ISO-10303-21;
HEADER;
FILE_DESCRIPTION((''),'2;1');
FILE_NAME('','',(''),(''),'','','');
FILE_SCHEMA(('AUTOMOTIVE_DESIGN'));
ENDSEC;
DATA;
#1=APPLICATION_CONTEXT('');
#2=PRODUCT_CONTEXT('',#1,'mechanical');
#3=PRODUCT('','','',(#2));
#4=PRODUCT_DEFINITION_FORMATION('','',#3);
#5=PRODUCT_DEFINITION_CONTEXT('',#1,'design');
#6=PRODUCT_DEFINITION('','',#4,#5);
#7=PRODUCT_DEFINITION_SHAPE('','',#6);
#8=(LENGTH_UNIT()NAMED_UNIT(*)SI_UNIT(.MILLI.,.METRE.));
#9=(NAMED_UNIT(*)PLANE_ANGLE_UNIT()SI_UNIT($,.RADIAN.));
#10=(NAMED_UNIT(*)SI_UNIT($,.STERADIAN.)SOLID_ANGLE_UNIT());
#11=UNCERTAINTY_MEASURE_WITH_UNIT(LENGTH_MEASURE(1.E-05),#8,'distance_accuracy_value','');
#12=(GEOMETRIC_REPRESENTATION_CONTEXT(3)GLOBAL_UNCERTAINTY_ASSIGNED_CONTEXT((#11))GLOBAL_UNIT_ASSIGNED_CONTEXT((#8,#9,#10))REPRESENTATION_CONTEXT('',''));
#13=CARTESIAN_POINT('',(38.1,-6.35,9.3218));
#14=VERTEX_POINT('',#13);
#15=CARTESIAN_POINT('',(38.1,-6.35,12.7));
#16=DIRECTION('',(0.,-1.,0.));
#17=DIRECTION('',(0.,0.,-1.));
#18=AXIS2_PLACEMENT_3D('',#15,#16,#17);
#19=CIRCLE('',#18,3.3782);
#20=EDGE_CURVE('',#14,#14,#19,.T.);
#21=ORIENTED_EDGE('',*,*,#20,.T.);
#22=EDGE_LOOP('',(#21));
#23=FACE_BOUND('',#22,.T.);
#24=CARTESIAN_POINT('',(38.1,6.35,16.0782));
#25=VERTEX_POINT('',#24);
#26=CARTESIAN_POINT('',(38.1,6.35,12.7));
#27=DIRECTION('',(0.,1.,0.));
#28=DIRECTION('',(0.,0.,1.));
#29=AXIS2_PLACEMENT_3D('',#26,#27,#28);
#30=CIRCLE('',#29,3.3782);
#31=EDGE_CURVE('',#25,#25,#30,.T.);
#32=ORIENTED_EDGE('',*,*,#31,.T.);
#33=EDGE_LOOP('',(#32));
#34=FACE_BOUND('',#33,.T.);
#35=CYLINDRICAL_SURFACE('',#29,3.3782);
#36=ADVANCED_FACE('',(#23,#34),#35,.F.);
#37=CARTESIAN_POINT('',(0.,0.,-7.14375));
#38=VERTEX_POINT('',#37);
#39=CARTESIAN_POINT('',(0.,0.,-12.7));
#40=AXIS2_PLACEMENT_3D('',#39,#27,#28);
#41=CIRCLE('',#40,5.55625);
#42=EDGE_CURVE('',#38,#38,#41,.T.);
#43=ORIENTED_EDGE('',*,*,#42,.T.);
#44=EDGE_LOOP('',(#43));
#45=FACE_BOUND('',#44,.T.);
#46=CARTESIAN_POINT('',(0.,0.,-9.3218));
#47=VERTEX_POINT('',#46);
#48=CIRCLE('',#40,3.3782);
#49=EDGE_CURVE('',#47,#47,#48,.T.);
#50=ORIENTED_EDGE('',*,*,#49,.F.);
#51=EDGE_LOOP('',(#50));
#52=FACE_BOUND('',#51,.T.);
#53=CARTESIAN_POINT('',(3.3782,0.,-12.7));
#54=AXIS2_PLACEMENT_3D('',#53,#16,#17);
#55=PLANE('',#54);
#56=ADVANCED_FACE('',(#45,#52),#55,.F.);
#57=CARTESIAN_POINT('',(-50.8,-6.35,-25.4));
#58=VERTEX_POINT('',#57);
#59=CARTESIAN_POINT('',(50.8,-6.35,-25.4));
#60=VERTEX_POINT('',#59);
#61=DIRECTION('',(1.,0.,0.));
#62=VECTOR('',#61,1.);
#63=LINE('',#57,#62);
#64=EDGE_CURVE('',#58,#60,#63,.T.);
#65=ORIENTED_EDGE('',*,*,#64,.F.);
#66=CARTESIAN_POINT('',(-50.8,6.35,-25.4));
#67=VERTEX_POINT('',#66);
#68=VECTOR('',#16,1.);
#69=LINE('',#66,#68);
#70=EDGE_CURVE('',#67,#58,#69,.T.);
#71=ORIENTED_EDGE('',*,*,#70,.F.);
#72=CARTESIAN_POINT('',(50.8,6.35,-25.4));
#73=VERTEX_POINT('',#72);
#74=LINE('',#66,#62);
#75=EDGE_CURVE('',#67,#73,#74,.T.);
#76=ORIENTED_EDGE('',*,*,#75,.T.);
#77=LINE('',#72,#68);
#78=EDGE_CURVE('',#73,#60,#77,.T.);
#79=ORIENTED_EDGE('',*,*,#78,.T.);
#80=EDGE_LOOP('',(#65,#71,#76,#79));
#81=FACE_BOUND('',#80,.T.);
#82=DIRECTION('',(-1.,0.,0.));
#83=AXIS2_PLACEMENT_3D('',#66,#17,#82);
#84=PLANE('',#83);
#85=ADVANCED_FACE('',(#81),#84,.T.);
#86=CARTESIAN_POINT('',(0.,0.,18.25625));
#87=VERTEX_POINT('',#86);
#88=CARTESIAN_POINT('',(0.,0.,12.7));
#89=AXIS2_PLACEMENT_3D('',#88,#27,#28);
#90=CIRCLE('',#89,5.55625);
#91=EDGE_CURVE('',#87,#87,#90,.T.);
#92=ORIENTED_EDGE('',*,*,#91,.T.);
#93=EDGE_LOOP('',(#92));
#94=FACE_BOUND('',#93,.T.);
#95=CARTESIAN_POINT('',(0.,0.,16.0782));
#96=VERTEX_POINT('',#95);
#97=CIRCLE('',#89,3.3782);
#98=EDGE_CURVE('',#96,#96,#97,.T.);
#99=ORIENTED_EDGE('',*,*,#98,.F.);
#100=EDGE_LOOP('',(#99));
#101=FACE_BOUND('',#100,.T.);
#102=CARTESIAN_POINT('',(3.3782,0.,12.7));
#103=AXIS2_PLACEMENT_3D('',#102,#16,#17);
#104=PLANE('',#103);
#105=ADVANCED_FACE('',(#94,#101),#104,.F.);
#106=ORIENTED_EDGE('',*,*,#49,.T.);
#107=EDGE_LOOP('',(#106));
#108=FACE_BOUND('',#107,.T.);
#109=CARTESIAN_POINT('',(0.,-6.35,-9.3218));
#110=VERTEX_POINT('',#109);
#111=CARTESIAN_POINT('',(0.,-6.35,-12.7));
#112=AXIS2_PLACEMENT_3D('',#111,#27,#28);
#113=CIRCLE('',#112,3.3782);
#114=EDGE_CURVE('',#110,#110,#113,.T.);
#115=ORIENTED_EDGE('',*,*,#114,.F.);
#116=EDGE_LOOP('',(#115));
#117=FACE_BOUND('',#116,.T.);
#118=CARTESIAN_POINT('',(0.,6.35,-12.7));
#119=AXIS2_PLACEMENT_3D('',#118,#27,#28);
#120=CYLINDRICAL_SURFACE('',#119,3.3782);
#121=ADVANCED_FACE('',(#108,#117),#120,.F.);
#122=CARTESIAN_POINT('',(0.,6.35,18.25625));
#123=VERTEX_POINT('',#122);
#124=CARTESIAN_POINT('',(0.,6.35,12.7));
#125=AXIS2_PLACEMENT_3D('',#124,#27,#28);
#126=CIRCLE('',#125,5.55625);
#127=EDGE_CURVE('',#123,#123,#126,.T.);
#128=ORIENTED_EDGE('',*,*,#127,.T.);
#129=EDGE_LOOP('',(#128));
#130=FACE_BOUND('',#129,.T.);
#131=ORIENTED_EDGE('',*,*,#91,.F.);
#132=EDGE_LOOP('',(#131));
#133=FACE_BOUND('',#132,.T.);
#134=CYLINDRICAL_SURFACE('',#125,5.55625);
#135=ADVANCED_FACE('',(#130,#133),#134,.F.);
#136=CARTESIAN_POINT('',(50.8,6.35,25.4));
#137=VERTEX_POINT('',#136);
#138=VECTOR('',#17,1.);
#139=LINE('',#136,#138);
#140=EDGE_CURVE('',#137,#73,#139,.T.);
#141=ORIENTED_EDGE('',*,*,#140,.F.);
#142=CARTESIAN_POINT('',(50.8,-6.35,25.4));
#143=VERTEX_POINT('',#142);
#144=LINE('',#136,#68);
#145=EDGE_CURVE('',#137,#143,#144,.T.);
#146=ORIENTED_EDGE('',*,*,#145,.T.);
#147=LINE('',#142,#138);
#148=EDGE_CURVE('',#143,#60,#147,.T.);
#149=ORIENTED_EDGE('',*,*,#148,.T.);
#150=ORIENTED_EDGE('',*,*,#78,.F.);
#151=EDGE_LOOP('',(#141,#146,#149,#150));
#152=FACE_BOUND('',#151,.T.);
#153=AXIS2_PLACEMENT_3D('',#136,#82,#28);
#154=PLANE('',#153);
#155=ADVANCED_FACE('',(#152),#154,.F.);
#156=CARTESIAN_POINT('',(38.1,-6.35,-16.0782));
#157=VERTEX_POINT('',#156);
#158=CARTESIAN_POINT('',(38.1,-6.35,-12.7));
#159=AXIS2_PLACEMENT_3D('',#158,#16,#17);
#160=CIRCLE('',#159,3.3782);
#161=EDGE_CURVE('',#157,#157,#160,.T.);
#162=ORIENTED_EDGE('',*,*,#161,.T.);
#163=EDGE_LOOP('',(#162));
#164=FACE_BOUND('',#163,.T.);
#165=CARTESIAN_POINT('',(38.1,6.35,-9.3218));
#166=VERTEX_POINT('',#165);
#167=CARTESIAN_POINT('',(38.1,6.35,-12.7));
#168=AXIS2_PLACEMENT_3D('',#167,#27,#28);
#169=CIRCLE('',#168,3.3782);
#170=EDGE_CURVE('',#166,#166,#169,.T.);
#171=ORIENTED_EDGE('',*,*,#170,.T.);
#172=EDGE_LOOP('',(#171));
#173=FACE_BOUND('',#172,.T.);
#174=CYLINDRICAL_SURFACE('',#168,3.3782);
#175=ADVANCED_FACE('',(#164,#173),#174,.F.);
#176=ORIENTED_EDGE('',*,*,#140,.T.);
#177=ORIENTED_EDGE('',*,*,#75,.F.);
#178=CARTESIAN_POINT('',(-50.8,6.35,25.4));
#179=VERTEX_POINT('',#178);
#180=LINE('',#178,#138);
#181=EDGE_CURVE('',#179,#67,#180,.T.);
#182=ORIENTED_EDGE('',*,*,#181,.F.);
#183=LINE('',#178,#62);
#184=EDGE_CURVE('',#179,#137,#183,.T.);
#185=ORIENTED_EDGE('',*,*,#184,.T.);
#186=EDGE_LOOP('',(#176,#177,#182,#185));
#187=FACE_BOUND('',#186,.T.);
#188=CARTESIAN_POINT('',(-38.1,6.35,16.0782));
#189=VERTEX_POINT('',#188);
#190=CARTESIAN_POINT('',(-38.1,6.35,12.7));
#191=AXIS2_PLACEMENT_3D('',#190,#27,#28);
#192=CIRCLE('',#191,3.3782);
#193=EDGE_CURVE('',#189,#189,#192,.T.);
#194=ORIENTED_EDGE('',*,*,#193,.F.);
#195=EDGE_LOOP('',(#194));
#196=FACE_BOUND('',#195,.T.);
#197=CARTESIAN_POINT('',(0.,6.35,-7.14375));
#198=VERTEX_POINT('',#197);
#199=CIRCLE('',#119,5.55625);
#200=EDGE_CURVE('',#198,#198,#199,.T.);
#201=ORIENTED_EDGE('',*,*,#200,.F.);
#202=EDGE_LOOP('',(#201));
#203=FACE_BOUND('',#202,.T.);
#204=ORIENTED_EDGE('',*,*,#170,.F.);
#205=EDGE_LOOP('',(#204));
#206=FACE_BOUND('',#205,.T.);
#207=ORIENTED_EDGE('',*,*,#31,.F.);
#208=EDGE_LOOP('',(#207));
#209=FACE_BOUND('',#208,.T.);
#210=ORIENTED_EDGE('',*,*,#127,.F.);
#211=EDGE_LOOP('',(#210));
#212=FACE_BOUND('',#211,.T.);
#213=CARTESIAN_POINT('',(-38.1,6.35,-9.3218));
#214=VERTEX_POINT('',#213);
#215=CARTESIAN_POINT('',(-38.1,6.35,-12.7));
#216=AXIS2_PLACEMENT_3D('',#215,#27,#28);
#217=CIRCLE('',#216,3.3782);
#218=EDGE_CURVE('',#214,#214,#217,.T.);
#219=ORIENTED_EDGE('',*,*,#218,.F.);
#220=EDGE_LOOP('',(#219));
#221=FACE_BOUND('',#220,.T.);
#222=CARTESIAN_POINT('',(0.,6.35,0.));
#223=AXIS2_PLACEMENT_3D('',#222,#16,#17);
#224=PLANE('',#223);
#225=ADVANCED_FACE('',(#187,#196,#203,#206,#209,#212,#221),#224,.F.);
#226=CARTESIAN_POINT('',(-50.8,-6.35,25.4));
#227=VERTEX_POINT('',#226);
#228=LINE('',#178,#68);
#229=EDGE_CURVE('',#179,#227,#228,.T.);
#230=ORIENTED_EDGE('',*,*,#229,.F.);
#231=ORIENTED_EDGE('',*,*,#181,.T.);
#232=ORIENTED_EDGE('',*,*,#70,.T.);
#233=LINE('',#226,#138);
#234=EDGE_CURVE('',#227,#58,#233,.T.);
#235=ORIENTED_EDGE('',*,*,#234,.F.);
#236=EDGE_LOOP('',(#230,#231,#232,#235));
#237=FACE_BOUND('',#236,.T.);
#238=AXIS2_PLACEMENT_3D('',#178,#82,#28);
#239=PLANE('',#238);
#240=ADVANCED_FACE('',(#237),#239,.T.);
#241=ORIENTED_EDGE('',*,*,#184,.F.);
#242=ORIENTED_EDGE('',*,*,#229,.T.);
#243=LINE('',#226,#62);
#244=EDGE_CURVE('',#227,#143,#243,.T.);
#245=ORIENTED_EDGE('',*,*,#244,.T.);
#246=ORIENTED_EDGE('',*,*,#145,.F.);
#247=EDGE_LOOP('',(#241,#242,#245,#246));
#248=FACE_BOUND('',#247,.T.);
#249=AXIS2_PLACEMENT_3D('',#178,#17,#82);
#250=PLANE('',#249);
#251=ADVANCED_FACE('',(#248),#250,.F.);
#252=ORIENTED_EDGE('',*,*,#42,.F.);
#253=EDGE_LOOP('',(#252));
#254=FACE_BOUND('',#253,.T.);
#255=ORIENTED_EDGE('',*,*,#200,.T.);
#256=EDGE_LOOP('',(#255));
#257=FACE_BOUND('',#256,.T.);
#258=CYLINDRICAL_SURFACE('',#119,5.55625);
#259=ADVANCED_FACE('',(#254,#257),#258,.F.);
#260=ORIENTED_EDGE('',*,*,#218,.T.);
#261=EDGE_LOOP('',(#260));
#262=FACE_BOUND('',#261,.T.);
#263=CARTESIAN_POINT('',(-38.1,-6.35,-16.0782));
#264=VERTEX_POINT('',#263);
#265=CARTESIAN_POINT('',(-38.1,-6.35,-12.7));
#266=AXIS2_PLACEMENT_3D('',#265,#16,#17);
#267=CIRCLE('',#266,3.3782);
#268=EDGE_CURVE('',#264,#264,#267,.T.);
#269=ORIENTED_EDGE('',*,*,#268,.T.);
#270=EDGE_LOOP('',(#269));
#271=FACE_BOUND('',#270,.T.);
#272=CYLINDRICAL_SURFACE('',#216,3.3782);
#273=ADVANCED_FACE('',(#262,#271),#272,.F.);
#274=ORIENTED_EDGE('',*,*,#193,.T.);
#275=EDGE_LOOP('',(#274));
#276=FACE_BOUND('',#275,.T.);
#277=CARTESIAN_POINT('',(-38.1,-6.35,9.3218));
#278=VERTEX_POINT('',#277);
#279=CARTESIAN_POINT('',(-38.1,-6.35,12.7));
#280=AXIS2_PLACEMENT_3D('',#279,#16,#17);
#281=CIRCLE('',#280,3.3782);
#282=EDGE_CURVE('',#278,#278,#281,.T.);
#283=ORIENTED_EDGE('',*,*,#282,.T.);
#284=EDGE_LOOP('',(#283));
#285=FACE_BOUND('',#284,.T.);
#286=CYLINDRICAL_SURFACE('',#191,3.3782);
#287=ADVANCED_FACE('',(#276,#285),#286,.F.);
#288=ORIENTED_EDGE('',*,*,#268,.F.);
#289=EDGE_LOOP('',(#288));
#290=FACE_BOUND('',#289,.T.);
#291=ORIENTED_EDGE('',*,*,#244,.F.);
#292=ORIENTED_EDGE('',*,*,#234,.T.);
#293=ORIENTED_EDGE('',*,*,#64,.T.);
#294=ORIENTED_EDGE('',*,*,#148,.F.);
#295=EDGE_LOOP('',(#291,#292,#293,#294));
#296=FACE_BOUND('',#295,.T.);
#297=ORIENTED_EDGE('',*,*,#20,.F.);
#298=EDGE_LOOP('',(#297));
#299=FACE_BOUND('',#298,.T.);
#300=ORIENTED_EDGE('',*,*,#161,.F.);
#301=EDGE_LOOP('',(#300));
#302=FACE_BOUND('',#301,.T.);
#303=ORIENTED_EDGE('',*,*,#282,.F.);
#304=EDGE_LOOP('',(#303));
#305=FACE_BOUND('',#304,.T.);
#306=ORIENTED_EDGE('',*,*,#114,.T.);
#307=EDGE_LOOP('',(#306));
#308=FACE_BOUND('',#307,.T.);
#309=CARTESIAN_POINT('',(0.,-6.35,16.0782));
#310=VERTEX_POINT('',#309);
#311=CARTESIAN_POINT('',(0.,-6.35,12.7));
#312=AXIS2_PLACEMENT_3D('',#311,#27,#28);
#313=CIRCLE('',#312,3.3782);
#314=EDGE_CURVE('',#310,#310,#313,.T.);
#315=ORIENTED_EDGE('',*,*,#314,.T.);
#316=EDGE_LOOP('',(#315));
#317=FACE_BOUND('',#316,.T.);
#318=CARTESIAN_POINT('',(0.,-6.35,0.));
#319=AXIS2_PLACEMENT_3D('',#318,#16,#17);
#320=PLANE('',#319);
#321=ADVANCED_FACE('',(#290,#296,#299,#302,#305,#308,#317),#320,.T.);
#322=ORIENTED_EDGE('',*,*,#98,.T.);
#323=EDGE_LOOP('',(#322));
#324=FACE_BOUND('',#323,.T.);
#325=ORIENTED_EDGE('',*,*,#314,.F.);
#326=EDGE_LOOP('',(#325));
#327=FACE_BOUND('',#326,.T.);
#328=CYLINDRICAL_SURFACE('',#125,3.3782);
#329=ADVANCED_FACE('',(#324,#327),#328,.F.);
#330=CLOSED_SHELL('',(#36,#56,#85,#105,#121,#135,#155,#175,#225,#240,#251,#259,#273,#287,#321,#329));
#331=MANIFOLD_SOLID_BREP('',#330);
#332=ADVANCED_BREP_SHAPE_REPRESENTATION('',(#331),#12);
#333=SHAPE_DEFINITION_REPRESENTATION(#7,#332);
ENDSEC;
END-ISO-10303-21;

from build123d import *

# Parameters (mm, degrees)
SKETCH1_W                                        = 101.6
SKETCH1_H                                        = 50.8
BOSS_EXTRUDE1_DEPTH                              = 6.35
F_1_4_CLEARANCE_HOLE1_D                          = 6.7564
CBORE_FOR_1_4_SOCKET_HEAD_CAP_SCREW1_D           = 6.7564
CBORE_FOR_1_4_SOCKET_HEAD_CAP_SCREW1_CBORE_D     = 11.1125
CBORE_FOR_1_4_SOCKET_HEAD_CAP_SCREW1_CBORE_DEPTH = 6.35


with BuildPart() as part:
    # Sketch1 → Boss-Extrude1 (new, symmetric)
    with BuildSketch(Plane(origin=(0, 0, 0), x_dir=(1, 0, 0), z_dir=(0, 1, 0))):
        Rectangle(SKETCH1_W, SKETCH1_H)
    extrude(amount=BOSS_EXTRUDE1_DEPTH, both=True)

    # 1/4 Clearance Hole1 (through all)
    with Locations(Plane(origin=(0, 6.35, 0), x_dir=(1, 0, 0), z_dir=(0, 1, 0))):
        with Locations((-38.1, 12.7), (-38.1, -12.7), (38.1, 12.7), (38.1, -12.7)):
            Hole(F_1_4_CLEARANCE_HOLE1_D / 2)

    # CBORE for 1/4 Socket Head Cap Screw1 (through all)
    with Locations(Plane(origin=(0, 6.35, 0), x_dir=(1, 0, 0), z_dir=(0, 1, 0))):
        with Locations((0, 12.7), (0, -12.7)):
            CounterBoreHole(CBORE_FOR_1_4_SOCKET_HEAD_CAP_SCREW1_D / 2, CBORE_FOR_1_4_SOCKET_HEAD_CAP_SCREW1_CBORE_D / 2, CBORE_FOR_1_4_SOCKET_HEAD_CAP_SCREW1_CBORE_DEPTH)


solid = part.part
